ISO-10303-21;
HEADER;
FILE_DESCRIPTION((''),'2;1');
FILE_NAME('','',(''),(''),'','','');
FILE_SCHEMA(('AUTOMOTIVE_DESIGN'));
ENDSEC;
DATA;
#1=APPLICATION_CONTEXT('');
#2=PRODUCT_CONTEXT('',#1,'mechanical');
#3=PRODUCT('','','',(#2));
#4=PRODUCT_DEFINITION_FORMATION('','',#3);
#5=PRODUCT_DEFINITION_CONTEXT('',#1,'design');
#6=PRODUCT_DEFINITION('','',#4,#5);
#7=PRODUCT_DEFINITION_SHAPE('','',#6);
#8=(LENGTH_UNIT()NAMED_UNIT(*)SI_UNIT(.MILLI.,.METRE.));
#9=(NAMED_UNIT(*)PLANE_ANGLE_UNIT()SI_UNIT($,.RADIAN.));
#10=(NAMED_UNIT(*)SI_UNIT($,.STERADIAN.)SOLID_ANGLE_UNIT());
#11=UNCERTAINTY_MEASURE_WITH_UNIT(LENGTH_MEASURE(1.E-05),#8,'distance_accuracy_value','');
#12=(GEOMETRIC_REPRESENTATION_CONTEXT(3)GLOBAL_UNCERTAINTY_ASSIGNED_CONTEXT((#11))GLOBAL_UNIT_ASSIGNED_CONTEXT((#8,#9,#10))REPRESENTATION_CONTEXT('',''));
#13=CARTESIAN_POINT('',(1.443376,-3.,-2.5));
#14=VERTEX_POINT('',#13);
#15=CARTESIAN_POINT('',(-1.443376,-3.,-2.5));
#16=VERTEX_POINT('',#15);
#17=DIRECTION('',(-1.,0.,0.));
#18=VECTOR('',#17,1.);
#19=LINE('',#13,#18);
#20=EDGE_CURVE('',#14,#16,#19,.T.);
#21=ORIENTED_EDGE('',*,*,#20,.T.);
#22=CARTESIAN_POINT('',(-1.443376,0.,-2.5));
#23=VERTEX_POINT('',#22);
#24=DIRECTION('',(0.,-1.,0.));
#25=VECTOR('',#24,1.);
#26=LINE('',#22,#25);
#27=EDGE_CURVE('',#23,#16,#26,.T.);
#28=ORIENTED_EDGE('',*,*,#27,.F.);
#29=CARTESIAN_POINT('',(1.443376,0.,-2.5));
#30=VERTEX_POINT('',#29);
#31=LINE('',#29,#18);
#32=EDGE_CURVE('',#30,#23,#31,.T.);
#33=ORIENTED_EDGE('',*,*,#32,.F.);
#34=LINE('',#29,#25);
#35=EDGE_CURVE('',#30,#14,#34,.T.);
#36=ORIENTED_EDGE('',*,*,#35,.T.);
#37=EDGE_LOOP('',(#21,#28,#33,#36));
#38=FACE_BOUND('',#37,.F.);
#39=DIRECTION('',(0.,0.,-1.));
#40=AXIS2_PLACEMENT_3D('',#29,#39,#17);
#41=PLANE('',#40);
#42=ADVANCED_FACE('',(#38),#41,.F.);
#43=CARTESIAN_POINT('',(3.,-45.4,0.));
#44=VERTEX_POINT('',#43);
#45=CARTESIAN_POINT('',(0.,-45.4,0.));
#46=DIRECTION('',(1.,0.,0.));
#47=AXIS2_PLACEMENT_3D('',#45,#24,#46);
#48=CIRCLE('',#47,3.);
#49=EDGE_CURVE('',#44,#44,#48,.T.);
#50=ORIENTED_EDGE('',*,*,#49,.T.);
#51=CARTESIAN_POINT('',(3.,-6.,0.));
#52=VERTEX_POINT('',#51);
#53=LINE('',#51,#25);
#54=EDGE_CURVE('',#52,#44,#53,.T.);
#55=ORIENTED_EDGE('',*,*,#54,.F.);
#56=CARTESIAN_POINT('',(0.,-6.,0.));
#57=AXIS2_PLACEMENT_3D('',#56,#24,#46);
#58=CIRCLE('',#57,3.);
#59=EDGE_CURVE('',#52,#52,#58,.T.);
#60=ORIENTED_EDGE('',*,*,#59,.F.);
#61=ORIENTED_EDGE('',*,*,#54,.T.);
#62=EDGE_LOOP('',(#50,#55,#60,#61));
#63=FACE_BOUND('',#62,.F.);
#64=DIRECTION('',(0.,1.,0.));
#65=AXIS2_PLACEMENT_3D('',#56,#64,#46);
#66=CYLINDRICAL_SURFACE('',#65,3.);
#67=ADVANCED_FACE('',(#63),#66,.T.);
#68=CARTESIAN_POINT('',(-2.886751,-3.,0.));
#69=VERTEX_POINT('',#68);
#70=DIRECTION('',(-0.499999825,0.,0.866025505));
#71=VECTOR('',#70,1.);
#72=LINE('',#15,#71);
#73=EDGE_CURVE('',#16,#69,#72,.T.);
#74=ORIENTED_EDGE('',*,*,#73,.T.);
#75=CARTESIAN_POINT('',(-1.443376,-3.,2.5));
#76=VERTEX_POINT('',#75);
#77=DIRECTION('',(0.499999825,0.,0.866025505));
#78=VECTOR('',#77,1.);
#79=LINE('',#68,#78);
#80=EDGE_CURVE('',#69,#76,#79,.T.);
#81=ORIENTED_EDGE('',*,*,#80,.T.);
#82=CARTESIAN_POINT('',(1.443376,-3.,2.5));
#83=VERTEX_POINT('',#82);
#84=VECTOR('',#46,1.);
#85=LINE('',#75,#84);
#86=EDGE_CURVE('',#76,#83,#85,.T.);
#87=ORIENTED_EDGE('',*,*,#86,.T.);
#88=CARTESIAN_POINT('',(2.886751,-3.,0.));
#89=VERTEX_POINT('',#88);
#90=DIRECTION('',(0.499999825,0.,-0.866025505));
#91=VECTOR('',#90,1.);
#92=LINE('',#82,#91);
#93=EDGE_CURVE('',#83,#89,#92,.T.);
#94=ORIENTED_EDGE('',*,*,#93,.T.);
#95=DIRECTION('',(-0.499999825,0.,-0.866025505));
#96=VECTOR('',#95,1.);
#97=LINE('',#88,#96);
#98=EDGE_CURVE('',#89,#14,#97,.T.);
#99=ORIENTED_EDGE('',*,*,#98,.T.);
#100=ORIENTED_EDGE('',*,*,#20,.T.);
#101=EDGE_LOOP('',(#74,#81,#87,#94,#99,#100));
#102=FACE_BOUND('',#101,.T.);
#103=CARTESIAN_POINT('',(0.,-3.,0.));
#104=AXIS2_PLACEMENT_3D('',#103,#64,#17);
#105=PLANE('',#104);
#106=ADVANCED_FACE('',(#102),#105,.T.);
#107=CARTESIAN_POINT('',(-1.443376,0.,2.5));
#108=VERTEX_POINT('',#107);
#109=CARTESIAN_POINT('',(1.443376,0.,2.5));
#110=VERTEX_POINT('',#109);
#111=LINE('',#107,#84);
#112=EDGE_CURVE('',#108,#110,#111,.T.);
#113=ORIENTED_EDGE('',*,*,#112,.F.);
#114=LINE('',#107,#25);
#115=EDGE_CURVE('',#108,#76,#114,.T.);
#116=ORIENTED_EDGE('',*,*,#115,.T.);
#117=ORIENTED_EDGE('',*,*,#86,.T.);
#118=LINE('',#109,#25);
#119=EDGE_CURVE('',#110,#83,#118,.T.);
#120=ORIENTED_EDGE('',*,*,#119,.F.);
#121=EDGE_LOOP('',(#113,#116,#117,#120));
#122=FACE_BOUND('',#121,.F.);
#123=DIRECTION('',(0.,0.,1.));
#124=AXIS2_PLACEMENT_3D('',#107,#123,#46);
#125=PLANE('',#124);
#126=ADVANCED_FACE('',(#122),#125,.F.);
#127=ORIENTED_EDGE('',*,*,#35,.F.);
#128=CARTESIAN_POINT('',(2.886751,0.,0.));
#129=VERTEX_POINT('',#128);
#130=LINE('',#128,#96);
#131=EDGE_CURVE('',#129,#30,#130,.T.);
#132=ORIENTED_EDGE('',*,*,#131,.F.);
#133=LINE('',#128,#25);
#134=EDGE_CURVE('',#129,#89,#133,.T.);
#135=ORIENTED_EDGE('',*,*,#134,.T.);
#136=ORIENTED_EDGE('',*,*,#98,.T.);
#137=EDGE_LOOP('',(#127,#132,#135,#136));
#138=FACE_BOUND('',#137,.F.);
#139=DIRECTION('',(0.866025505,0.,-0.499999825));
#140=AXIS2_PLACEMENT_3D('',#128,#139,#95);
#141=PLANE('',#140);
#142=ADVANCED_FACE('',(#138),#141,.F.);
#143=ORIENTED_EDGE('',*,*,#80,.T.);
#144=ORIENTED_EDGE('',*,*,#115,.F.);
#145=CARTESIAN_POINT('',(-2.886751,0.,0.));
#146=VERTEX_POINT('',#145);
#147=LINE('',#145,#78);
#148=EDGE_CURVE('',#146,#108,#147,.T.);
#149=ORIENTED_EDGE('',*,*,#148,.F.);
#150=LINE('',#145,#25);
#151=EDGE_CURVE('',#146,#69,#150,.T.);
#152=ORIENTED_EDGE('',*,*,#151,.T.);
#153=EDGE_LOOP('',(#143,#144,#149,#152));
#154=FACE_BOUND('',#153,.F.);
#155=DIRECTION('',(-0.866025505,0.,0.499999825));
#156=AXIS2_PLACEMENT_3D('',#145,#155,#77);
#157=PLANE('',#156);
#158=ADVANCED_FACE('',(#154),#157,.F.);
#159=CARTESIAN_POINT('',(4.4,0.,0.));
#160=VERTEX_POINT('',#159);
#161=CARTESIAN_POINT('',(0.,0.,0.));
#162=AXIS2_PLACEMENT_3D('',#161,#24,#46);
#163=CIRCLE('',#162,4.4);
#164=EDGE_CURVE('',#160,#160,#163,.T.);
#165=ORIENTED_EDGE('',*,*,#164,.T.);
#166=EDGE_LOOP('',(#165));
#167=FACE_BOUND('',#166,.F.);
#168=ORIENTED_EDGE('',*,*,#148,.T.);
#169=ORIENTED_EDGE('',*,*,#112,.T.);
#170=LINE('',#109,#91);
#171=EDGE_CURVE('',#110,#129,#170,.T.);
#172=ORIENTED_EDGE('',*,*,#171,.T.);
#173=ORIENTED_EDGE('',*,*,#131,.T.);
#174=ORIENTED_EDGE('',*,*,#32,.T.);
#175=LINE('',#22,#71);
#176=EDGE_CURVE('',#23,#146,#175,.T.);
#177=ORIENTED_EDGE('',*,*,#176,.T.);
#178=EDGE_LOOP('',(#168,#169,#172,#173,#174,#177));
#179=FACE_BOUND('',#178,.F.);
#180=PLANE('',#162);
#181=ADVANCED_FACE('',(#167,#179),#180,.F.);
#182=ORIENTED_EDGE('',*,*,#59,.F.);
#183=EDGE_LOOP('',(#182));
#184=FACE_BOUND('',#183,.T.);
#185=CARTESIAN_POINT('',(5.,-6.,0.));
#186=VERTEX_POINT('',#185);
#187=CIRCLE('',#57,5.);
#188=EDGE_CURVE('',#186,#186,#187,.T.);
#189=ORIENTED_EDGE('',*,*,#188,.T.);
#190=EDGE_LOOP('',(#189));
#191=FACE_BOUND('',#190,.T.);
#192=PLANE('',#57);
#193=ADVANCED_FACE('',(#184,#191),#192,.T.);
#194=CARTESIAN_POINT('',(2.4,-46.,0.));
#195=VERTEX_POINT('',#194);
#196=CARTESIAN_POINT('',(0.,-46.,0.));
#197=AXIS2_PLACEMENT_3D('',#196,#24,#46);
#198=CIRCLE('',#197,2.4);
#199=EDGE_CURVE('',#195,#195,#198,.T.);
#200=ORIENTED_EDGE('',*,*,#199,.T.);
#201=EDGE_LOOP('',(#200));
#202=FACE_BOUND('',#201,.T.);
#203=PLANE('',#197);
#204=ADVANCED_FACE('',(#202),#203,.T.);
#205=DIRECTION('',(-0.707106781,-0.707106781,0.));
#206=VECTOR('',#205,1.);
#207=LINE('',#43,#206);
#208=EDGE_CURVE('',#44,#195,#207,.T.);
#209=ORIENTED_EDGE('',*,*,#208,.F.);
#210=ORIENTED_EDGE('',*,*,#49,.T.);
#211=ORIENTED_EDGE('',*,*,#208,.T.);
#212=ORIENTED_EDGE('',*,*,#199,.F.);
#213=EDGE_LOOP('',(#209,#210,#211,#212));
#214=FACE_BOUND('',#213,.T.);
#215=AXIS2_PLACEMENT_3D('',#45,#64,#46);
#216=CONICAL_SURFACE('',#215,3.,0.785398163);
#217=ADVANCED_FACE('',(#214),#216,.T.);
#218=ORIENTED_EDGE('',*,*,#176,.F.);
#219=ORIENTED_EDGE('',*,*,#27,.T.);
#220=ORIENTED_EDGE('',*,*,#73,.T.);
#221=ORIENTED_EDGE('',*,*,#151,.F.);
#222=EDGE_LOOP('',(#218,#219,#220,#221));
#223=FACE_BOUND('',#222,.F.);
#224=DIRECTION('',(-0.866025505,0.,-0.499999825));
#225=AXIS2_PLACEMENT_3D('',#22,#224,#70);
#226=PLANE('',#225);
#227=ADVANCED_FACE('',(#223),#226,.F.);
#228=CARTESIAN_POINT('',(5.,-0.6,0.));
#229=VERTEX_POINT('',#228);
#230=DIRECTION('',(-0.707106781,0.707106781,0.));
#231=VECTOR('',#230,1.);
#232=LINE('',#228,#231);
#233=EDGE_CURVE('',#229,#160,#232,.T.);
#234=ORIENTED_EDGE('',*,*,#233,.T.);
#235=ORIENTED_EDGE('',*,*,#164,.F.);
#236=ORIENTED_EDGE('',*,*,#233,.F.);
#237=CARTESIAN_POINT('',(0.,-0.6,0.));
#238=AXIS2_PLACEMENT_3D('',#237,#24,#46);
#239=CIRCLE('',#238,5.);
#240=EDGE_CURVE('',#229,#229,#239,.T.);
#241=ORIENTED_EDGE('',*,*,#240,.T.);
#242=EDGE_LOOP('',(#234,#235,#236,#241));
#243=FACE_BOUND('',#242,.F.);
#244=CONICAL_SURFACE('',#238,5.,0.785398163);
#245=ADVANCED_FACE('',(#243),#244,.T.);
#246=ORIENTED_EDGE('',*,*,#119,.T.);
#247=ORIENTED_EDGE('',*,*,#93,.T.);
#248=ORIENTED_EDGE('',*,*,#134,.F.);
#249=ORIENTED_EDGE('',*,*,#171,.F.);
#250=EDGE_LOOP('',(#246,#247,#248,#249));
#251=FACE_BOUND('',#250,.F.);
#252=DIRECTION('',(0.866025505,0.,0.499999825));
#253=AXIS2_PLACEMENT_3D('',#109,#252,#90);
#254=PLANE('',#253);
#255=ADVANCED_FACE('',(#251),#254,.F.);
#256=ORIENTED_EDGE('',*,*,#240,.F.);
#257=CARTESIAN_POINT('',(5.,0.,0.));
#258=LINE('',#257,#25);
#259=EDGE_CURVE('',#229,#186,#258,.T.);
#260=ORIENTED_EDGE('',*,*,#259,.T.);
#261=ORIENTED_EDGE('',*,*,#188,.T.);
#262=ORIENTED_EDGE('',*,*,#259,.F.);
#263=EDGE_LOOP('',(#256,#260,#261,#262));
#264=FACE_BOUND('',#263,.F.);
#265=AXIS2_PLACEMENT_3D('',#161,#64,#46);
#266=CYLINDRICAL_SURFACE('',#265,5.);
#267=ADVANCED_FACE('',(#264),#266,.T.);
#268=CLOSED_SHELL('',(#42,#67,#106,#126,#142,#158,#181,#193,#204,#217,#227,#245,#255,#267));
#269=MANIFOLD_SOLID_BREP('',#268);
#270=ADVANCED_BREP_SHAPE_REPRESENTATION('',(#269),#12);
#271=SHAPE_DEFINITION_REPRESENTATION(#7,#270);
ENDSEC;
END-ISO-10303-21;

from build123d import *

# Parameters (mm, degrees)
F0_R     = 5
F1_DEPTH = 6
F2_R     = 3
F3_DEPTH = 40
F5_DEPTH = 3
F6_SIZE  = 0.6


with BuildPart() as f1:
    # F0 (on Front) → F1 (new body)
    with BuildSketch(Plane.XZ):
        Circle(F0_R)
    extrude(amount=F1_DEPTH)

    # F2 (on face) → F3 (join)
    with BuildSketch(Plane.XZ.offset(6)):
        Circle(F2_R)
    extrude(amount=F3_DEPTH)

    # F4 (on face) → F5 (cut)
    with BuildSketch(Plane(origin=(0, 0, 0), x_dir=(-1, 0, 0), z_dir=(0, 1, 0))):
        Polygon((1.443376, 2.5), (-1.443376, 2.5), (-2.886751, 0), (-1.443376, -2.5), (1.443376, -2.5), (2.886751, 0), align=None)
    extrude(amount=-F5_DEPTH, mode=Mode.SUBTRACT)

    # F6
    f6_edges = [f1.edges().sort_by_distance(p)[0] for p in [
        (-5, 0, 0),
        (-3, -46, 0),
    ]]
    chamfer(f6_edges, length=F6_SIZE)


solid = f1.part
